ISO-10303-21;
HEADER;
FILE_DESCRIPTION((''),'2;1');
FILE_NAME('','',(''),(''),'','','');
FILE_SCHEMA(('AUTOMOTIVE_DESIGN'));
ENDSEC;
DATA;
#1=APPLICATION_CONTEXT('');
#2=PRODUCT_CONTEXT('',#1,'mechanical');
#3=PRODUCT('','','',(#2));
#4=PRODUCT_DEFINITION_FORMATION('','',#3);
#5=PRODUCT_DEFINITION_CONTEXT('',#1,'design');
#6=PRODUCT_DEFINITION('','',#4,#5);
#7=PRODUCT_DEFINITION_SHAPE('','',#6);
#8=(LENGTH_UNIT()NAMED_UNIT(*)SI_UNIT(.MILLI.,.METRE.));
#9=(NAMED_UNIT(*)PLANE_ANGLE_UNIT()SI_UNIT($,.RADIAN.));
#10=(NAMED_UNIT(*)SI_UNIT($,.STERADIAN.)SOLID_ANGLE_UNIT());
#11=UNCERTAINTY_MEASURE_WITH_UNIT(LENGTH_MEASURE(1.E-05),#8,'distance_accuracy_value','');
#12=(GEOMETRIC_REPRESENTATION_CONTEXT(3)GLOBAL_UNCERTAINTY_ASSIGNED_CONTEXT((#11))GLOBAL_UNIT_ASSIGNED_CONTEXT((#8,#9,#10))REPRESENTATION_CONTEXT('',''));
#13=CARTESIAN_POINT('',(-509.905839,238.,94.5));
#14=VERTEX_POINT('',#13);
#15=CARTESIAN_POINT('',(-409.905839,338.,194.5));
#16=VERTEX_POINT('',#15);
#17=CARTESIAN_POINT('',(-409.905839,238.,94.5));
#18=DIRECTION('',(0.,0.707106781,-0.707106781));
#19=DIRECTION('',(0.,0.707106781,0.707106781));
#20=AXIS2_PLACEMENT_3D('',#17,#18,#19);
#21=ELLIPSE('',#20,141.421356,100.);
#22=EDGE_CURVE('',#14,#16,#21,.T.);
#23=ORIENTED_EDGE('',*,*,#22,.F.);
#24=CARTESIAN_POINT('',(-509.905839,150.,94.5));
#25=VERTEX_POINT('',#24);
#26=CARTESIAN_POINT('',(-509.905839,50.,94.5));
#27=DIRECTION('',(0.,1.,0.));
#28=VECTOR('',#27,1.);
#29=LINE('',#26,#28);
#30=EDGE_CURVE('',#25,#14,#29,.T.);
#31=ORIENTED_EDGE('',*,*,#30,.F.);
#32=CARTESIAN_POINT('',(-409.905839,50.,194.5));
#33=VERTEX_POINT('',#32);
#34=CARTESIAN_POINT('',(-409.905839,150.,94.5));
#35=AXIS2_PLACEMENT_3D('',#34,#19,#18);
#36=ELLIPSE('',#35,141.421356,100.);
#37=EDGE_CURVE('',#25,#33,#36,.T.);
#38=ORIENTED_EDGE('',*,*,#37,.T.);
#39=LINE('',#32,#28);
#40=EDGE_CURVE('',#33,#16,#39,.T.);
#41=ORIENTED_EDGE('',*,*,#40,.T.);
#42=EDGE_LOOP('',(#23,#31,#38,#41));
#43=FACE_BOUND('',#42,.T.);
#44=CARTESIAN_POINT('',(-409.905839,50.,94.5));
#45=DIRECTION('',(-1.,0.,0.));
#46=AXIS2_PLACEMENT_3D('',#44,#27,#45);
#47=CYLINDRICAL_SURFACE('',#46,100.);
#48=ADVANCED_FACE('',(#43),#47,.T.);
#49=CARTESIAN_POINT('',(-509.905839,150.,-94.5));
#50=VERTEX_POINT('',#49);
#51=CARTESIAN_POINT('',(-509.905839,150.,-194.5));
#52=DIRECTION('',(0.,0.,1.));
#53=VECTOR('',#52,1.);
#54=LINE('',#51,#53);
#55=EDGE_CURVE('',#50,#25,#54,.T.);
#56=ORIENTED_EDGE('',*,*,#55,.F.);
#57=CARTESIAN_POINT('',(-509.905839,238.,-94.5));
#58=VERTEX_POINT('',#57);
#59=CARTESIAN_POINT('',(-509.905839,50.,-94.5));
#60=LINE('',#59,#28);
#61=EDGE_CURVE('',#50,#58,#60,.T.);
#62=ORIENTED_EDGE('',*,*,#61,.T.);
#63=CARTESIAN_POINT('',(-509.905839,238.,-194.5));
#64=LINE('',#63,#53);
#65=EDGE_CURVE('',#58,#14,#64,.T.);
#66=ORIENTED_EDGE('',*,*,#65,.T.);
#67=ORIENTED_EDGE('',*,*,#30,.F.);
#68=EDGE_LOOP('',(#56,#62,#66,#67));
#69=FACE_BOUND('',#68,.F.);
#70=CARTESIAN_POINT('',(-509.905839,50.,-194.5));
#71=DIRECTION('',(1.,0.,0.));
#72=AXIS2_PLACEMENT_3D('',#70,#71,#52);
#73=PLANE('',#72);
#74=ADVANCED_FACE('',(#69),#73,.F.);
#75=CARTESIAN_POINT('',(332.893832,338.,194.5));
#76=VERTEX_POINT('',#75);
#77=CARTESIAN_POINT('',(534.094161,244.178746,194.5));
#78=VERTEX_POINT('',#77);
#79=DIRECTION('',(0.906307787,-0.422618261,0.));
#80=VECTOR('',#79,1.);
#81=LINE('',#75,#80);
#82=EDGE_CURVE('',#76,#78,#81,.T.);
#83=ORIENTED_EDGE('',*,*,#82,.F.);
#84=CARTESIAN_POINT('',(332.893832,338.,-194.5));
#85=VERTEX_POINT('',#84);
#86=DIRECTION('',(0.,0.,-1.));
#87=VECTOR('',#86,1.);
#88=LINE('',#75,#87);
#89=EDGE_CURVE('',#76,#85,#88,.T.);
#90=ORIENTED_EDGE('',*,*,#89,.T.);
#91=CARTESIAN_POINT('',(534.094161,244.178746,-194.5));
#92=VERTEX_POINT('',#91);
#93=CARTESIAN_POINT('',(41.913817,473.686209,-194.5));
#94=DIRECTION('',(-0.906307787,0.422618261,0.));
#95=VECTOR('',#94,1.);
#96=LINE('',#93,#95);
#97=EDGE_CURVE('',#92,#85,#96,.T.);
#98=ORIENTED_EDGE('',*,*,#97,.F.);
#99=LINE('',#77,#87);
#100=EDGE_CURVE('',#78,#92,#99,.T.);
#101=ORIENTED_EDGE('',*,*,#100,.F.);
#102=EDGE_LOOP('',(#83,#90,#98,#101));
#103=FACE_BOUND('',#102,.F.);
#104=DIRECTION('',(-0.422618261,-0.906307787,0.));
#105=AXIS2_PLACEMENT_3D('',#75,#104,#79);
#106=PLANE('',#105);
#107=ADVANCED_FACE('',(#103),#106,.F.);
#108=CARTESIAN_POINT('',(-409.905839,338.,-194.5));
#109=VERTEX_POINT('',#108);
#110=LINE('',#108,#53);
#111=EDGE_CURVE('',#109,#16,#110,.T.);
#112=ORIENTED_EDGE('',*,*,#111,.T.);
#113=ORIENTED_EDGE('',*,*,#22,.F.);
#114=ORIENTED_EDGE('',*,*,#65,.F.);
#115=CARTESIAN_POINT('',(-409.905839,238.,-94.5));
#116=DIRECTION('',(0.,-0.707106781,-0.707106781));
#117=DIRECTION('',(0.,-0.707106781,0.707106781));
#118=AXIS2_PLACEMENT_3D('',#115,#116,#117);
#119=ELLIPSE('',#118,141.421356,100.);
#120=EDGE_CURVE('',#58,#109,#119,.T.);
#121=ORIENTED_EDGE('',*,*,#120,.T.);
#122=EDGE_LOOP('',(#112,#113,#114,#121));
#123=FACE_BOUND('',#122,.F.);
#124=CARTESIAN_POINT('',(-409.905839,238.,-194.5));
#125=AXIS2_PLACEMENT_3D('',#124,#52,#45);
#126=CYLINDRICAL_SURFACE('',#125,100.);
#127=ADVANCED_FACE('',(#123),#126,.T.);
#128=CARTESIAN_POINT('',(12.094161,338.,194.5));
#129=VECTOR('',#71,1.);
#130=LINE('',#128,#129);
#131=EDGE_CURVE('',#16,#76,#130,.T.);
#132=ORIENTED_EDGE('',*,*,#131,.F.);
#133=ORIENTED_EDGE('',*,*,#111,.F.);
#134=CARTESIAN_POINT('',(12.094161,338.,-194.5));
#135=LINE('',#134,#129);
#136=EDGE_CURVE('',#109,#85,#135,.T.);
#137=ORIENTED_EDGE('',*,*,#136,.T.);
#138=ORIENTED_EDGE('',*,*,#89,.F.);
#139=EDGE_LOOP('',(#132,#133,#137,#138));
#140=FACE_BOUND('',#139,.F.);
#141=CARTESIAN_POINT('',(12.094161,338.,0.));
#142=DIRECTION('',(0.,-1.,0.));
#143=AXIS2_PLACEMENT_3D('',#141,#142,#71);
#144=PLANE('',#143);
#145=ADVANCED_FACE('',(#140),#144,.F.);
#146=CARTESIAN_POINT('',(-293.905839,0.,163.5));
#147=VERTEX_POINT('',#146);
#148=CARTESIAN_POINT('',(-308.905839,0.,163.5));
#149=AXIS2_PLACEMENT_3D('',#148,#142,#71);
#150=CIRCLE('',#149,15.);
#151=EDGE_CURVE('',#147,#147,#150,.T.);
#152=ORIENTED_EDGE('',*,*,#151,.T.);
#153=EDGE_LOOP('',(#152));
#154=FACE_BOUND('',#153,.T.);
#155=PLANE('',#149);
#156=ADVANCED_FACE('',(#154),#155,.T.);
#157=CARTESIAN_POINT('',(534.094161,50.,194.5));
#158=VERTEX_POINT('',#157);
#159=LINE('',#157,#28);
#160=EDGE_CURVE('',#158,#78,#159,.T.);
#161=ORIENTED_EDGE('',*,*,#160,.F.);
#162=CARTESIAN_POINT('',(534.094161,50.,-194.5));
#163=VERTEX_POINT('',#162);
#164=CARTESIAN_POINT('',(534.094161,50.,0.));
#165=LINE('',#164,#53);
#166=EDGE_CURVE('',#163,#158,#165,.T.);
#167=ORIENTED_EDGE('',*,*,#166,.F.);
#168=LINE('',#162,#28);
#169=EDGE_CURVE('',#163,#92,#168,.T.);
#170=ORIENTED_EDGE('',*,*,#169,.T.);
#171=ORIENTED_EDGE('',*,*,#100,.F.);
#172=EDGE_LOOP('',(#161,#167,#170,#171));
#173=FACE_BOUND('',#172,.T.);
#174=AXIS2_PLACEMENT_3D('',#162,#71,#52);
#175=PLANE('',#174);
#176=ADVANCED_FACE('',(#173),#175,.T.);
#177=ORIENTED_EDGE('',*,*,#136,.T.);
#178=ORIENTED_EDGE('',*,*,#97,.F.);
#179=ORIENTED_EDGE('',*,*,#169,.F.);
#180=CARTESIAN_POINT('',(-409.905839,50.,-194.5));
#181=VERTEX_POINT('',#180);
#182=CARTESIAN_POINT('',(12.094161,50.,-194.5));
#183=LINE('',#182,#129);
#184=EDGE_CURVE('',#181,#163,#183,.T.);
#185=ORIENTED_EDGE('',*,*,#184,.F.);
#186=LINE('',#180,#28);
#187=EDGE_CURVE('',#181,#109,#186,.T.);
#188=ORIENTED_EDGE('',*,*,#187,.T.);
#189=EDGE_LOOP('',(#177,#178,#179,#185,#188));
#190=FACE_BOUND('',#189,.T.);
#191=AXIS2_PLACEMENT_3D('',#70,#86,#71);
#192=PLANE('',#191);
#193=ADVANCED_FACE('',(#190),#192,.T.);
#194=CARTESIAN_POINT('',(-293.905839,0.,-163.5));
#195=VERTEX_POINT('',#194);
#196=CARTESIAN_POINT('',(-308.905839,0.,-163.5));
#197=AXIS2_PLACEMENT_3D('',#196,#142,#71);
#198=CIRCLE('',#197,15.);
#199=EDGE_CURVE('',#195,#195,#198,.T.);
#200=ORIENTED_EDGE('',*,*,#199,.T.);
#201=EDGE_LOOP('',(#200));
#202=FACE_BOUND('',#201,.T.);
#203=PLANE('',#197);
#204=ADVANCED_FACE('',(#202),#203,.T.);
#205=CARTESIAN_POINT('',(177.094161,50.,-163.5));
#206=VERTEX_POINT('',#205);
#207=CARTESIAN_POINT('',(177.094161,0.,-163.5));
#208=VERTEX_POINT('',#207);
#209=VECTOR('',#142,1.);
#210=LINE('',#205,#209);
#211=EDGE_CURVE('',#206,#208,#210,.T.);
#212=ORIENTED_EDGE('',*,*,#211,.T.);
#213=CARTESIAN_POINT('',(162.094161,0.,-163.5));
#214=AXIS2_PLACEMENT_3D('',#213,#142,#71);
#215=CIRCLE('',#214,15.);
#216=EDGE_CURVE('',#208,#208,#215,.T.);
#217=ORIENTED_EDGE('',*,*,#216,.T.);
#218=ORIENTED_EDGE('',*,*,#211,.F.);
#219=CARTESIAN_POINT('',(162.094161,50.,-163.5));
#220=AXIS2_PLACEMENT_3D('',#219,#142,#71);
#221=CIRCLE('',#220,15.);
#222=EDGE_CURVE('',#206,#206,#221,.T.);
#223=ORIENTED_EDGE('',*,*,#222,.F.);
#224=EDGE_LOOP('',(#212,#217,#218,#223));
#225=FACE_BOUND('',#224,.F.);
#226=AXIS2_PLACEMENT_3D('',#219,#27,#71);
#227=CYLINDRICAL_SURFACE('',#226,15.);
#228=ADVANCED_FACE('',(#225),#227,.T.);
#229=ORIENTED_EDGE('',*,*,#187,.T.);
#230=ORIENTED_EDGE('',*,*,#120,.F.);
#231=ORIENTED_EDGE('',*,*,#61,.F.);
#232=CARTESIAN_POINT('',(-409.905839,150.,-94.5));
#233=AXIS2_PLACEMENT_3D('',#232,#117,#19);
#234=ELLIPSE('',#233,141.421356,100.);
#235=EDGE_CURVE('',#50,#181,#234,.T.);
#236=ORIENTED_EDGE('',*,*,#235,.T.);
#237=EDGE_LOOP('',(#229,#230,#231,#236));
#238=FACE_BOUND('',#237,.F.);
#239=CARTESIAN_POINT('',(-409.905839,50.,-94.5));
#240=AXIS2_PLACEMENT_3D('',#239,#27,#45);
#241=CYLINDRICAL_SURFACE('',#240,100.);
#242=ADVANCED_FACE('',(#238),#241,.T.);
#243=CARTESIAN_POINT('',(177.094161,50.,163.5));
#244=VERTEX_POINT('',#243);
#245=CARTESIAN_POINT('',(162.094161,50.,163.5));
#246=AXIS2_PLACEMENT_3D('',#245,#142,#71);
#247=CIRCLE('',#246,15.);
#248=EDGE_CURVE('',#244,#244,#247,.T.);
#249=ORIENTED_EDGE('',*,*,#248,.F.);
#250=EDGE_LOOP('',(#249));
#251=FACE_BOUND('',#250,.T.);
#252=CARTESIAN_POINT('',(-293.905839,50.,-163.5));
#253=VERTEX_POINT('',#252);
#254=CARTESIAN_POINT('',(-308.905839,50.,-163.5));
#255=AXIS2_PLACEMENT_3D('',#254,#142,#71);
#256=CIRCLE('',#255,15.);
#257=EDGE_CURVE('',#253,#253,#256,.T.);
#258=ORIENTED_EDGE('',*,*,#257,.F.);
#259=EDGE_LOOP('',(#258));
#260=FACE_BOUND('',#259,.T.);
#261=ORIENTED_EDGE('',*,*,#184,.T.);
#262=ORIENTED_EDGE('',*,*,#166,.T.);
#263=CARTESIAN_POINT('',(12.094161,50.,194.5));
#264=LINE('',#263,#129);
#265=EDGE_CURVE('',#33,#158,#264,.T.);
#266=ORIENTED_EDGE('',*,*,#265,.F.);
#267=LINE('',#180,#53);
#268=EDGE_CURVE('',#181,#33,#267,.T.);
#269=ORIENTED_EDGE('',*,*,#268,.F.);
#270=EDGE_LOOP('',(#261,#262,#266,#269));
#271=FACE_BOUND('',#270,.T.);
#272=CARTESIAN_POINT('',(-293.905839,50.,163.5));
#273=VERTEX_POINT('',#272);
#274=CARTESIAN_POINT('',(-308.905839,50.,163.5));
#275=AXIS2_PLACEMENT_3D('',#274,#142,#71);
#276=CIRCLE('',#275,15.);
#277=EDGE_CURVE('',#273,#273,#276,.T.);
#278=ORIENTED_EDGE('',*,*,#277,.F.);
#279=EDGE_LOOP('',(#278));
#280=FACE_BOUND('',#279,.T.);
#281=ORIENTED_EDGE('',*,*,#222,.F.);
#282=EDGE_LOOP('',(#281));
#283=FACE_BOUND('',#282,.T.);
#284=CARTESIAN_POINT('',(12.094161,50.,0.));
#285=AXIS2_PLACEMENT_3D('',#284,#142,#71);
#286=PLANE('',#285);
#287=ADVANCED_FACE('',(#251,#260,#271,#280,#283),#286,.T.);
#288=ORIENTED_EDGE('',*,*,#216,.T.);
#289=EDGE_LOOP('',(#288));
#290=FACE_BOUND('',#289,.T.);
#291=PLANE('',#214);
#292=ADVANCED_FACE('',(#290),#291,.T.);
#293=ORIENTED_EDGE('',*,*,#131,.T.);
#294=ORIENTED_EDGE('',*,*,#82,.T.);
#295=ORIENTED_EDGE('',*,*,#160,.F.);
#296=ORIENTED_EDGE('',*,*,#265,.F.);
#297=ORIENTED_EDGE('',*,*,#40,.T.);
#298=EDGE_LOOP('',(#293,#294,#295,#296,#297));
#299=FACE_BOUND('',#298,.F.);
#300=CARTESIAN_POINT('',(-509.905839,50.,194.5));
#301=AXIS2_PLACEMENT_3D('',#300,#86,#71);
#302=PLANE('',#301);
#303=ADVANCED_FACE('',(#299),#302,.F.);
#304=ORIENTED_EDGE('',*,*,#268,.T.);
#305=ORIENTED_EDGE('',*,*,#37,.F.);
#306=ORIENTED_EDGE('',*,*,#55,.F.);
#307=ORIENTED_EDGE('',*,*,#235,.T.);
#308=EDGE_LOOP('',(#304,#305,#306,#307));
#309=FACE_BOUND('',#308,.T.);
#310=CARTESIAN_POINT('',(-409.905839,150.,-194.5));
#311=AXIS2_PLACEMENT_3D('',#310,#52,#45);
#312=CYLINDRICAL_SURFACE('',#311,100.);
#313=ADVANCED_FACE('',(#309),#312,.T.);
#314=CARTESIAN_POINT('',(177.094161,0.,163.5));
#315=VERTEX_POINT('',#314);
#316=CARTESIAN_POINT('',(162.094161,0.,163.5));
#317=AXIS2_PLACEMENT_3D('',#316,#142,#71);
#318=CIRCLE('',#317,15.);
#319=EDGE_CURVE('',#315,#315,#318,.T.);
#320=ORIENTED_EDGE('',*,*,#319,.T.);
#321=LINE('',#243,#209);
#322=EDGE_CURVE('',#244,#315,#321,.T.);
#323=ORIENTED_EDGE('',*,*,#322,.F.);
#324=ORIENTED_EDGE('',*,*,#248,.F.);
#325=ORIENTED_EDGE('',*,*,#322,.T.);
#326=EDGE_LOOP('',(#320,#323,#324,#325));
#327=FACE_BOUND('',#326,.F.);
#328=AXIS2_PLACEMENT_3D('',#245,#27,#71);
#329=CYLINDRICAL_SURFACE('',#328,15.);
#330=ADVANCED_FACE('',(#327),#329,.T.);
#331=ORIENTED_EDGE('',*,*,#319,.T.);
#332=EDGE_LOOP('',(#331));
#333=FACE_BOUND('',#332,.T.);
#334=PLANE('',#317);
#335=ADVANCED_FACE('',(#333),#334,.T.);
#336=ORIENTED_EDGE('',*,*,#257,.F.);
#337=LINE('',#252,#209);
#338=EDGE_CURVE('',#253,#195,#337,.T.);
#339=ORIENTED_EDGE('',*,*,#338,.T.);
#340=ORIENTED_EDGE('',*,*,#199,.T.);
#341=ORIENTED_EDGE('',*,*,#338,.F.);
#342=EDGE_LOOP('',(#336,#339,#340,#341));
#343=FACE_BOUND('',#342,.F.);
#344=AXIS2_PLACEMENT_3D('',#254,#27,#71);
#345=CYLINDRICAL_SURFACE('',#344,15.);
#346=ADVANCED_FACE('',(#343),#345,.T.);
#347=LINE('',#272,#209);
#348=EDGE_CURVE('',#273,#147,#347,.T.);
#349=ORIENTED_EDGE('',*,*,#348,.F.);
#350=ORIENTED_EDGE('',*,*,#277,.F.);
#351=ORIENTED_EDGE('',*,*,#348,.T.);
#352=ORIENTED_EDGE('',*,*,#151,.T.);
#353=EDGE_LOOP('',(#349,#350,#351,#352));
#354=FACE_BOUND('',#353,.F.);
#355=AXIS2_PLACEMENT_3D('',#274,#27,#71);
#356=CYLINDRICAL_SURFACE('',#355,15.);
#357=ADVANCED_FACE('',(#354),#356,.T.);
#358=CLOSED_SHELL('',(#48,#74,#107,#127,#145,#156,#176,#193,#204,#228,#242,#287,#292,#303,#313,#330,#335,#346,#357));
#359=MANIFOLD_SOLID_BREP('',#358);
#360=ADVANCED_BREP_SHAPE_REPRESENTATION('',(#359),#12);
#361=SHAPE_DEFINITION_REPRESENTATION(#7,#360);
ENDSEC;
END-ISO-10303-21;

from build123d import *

# Parameters (mm, degrees)
F0_W     = 1044
F0_H     = 389
F1_DEPTH = 288
F2_R     = 100
F4_DEPTH = 389.001
F5_R     = 15
F6_DEPTH = 50


with BuildPart() as f1:
    # F0 (on Front) → F1 (new body)
    with BuildSketch(Plane.XZ):
        with Locations((12.094161, 0)):
            Rectangle(F0_W, F0_H)
    extrude(amount=-F1_DEPTH)

    # F2
    f2_edges = [f1.edges().sort_by_distance(p)[0] for p in [
        (-509.905839, 144, 194.5),
        (-509.905839, 288, 0),
        (-509.905839, 144, -194.5),
        (-509.905839, 0, 0),
    ]]
    fillet(f2_edges, radius=F2_R)

    # F3 (on face) → F4 (cut, through all)
    with BuildSketch(Plane.XY.offset(194.5)):
        Polygon((534.094161, 288), (332.893832, 288), (534.094161, 194.178746), align=None)
    extrude(amount=-F4_DEPTH, mode=Mode.SUBTRACT)

    # F5 (on face) → F6 (join)
    with BuildSketch(Plane.XZ):
        with Locations((162.094161, -163.5)):
            Circle(F5_R)
        with Locations((-308.905839, -163.5)):
            Circle(F5_R)
        with Locations((162.094161, 163.5)):
            Circle(F5_R)
        with Locations((-308.905839, 163.5)):
            Circle(F5_R)
    extrude(amount=F6_DEPTH)


with BuildPart() as f1_1:
    # F7: moved
    add(f1.part.moved(Location((0, 50, 0))))


solid = f1_1.part
